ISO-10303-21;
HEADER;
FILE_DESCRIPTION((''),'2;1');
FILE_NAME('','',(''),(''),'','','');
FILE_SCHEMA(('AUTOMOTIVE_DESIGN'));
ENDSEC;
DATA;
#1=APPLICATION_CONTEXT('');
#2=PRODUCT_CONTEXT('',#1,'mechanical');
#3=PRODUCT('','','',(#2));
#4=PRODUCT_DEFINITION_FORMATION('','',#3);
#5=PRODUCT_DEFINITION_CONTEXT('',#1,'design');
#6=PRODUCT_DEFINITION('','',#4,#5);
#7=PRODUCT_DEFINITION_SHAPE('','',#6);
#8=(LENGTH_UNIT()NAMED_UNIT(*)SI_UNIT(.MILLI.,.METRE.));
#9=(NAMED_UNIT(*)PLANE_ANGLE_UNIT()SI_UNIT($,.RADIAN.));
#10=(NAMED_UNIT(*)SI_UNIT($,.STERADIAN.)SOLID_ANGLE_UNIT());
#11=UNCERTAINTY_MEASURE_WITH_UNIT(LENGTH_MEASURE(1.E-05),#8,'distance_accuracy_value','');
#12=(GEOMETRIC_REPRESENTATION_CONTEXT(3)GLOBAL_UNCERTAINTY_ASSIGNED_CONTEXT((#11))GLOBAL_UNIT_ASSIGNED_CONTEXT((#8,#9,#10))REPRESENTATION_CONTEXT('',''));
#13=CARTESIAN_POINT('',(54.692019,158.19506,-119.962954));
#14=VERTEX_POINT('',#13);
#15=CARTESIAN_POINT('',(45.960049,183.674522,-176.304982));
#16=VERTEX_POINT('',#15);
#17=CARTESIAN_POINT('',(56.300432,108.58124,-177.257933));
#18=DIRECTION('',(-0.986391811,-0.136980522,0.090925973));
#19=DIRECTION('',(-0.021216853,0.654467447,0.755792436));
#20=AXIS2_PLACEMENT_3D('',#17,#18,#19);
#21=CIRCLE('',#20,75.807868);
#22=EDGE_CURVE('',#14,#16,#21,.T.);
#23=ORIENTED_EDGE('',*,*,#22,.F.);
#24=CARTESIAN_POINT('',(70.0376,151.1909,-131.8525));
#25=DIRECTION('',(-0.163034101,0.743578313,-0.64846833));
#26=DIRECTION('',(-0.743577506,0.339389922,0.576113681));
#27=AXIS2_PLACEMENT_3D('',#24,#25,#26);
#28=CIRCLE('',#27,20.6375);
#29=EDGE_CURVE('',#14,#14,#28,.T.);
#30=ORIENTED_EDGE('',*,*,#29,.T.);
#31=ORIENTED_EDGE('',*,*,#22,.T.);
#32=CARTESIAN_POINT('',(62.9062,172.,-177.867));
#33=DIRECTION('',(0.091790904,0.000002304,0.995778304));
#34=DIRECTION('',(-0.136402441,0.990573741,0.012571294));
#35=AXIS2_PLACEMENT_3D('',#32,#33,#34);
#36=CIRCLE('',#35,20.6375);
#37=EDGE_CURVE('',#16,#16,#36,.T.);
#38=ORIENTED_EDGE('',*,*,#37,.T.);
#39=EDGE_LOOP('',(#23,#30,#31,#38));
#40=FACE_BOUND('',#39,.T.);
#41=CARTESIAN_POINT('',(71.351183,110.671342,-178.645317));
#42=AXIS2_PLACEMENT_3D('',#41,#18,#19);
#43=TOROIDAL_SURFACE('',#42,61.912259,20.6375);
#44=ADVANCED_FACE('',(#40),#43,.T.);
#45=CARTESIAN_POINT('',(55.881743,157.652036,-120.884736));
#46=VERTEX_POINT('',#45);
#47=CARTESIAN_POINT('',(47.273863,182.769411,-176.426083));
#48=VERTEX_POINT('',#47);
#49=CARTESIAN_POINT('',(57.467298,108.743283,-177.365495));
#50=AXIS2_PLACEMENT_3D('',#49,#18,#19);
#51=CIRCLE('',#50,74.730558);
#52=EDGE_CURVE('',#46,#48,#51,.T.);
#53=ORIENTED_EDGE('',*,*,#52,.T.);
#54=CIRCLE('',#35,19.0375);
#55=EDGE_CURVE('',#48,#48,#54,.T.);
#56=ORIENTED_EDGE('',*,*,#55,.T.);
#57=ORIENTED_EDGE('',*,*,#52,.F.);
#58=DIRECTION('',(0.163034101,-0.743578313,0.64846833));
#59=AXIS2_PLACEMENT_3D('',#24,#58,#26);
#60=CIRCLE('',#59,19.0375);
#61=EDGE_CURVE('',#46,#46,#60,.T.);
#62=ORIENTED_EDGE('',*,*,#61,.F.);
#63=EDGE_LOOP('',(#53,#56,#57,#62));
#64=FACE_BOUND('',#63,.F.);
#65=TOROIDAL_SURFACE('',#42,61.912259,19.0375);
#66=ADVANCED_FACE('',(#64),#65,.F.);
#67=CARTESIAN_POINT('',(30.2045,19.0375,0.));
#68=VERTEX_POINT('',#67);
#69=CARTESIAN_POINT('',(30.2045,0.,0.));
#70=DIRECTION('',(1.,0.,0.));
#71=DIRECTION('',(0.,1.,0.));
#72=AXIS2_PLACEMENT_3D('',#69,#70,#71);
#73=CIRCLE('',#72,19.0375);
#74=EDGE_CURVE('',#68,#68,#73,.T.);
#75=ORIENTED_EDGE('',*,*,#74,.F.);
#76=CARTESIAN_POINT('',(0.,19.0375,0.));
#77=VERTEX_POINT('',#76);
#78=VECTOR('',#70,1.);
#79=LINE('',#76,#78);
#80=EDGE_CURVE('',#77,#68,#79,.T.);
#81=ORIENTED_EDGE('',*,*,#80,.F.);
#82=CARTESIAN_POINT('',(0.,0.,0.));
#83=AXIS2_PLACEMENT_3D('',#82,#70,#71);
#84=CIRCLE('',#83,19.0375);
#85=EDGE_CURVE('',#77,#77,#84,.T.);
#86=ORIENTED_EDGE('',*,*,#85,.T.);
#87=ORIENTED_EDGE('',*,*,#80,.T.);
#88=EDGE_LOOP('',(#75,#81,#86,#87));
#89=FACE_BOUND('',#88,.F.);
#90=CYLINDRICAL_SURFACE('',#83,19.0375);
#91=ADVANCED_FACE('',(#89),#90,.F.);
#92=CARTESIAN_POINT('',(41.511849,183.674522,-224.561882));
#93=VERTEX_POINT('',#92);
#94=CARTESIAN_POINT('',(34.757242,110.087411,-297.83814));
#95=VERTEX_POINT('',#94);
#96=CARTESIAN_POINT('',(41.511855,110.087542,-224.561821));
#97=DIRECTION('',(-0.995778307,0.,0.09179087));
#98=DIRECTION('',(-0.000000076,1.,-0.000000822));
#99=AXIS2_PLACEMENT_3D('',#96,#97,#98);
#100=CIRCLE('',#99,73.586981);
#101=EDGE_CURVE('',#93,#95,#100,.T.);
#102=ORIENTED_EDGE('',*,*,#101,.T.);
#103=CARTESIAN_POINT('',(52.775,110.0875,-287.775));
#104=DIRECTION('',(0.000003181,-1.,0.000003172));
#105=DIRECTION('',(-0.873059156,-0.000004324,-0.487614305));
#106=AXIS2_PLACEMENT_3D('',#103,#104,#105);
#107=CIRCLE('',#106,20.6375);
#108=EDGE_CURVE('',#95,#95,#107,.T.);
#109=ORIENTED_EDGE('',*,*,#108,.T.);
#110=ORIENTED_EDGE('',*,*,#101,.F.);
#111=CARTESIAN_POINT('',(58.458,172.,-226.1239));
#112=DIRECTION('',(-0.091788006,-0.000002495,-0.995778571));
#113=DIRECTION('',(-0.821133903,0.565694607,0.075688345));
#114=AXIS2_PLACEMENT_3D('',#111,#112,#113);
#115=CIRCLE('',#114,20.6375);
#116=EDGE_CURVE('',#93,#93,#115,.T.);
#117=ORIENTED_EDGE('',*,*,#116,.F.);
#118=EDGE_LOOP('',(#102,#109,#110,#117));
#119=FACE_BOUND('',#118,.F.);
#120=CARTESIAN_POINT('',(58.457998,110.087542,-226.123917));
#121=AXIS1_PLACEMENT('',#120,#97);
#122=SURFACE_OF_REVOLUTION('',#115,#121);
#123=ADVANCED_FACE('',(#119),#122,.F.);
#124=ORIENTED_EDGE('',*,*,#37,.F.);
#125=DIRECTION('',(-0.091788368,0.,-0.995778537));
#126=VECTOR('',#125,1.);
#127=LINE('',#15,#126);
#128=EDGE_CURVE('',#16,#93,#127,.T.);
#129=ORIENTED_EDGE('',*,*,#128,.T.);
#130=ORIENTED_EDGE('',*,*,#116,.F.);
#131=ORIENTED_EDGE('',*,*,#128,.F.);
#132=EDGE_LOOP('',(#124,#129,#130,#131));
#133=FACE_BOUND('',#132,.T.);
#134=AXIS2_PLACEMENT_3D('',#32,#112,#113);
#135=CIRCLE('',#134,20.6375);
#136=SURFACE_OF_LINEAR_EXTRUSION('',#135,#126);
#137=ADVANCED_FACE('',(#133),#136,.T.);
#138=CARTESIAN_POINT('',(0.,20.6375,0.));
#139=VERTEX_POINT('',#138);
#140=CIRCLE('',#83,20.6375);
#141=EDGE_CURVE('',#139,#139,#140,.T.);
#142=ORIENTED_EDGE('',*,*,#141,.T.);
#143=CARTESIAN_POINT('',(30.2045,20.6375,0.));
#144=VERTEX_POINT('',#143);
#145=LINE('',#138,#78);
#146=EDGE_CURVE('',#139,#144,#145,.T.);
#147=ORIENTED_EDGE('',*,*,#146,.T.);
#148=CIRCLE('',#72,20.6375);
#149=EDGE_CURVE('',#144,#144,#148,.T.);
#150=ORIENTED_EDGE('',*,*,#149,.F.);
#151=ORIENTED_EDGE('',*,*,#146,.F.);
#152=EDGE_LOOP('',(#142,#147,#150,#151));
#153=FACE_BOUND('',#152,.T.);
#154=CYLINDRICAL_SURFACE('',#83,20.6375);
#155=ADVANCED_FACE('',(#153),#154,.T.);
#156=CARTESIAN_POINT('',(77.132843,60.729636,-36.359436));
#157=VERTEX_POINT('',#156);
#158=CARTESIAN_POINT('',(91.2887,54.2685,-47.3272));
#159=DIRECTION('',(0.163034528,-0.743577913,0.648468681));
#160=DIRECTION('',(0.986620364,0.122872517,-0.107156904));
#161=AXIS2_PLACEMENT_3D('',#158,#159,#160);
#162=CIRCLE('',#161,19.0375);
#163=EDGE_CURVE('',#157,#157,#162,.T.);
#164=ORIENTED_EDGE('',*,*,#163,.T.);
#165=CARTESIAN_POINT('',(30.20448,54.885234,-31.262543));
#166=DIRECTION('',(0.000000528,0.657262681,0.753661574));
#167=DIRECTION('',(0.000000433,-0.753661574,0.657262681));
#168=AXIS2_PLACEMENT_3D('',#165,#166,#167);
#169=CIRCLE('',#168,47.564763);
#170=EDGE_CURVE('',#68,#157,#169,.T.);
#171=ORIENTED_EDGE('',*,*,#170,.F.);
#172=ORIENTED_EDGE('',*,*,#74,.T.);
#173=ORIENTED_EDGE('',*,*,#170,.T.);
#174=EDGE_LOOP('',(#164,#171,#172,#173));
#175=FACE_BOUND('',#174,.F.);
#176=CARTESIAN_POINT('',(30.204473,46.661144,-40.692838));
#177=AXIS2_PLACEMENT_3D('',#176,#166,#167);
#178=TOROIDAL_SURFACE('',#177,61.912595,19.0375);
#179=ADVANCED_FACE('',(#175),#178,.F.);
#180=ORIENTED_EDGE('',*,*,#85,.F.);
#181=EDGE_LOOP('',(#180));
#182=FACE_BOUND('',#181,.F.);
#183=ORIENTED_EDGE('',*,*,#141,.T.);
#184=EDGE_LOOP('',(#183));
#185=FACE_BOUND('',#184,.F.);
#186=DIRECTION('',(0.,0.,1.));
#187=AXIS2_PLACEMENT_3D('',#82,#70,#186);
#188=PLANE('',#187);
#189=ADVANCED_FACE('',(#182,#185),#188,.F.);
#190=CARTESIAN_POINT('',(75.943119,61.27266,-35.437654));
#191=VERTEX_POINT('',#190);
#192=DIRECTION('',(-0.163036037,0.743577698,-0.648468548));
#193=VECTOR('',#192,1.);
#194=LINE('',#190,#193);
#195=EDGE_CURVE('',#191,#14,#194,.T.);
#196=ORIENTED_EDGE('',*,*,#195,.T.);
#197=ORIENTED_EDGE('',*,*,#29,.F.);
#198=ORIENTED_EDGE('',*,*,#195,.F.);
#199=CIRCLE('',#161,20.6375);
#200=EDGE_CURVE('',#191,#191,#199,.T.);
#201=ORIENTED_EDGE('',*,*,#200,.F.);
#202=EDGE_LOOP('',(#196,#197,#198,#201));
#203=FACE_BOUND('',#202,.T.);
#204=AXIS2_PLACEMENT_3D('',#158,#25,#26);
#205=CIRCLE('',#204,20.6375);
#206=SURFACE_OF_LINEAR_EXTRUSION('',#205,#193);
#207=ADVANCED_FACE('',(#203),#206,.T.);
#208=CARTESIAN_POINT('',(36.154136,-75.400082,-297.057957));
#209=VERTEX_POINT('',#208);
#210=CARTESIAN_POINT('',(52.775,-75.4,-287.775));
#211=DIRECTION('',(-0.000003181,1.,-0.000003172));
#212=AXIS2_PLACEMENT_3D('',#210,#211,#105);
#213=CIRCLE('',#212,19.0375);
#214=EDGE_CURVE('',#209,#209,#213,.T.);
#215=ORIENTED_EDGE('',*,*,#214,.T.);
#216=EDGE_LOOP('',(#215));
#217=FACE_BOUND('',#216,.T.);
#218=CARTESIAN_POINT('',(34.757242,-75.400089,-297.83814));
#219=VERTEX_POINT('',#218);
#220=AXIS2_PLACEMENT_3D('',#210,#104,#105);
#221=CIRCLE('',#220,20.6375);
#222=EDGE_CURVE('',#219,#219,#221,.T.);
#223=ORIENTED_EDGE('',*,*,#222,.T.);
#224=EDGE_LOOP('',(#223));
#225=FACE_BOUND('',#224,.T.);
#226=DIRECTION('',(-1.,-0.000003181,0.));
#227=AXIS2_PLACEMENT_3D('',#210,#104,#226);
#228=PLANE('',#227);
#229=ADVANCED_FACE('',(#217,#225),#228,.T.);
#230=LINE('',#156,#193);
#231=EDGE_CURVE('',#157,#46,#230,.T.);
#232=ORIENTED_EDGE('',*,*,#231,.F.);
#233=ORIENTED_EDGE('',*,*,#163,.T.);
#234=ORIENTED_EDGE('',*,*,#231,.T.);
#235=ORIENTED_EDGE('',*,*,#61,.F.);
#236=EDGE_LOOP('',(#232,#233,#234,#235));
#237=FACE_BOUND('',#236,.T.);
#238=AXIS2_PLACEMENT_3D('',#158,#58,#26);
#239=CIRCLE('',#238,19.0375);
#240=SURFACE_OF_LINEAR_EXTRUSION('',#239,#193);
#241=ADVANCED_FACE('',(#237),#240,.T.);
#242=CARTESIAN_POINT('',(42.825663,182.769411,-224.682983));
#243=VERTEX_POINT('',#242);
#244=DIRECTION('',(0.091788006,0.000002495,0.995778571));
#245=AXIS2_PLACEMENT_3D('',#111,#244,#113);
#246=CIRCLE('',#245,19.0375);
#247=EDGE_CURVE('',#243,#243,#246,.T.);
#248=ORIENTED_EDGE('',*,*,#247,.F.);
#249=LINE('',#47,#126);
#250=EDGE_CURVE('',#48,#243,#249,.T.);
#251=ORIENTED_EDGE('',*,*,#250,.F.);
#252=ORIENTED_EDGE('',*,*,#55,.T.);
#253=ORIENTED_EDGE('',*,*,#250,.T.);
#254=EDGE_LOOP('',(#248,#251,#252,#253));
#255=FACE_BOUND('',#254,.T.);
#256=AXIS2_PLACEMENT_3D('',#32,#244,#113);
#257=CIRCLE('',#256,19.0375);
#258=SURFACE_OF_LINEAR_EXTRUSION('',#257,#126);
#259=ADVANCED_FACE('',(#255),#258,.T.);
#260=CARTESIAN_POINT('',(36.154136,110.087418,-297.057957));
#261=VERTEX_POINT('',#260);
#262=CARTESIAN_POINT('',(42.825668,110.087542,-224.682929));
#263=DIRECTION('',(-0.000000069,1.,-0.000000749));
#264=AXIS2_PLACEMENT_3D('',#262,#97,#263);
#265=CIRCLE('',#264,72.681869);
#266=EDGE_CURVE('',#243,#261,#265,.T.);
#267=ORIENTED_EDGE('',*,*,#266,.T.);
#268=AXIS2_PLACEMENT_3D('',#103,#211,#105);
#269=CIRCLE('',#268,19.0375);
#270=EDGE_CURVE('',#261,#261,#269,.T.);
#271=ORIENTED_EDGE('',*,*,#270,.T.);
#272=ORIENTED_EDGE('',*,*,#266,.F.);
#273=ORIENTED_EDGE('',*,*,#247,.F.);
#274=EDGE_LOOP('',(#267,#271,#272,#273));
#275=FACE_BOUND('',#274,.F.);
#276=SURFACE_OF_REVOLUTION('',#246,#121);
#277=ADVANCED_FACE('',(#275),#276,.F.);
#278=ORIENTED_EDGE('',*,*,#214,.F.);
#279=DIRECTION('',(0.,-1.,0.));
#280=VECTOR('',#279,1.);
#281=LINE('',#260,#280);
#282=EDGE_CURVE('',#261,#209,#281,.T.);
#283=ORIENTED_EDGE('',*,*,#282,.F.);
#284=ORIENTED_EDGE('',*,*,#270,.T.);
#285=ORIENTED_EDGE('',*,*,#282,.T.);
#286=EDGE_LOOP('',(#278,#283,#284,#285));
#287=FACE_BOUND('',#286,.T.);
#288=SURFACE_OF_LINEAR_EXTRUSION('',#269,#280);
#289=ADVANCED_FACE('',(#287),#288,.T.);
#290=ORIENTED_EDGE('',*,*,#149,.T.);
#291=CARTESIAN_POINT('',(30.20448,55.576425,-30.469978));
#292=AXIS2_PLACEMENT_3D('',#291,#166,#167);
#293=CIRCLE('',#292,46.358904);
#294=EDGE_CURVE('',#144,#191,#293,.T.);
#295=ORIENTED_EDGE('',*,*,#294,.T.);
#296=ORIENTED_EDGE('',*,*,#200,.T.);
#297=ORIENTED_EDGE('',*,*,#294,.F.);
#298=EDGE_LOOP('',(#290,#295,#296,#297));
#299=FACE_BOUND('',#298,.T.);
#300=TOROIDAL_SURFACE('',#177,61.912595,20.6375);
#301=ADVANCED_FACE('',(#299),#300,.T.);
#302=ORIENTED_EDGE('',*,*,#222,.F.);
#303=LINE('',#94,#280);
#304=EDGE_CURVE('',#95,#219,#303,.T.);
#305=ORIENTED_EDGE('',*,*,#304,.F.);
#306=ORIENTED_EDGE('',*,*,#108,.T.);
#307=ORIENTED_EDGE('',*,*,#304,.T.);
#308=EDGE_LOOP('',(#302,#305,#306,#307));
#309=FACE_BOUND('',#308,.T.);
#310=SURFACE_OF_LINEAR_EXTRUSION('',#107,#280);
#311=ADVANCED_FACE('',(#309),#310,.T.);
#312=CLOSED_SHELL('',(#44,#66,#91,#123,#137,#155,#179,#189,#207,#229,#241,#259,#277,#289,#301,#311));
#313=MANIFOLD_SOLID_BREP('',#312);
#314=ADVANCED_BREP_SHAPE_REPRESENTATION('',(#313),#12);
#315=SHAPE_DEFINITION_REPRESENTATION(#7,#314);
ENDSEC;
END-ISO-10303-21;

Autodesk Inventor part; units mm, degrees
sketch "Sketch1" plane through (0, 0, 0) normal (1, 0, 0) x (0, 1, 0)
  line L0 (0, 0) -> (172, -150)
  line L1 (172, -150) -> (172, -287.775)
  line L2 (172, -287.775) -> (-75.4, -287.775)
  line L3 (0, 0) -> (0, -103.1875) construction
  line L4 (0, -103.1875) -> (172, -65.475) construction
  line L5 (172, -65.475) -> (172, -52.775) construction
  line L6 (172, -52.775) -> (-75.4, -52.775) construction
  dimension "d0" = 287.775
  dimension "d1" = 172
  dimension "d4" = 150
  dimension "d5" = 75.4
  dimension "d6" = 103.1875
  dimension "d7" = 52.775
  dimension "d8" = 65.475
ref_plane "Work Plane1" through (103.1875, 0, 0) normal (1, 0, 0) x (0, 1, 0)
ref_plane "Work Plane2" through (65.475, 0, 0) normal (1, 0, 0) x (0, 1, 0)
ref_plane "Work Plane3" through (52.775, 0, 0) normal (1, 0, 0) x (0, 1, 0)
sketch "Sketch2" plane through (103.1875, 0, 0) normal (1, 0, 0) x (0, 1, 0)
  point P0 (0, 0)
  point P1 (0, 0)
sketch "Sketch3" plane through (65.475, 0, 0) normal (1, 0, 0) x (0, 1, 0)
  point P0 (0, 0)
  point P1 (172, -150)
  point P2 (172, -287.775)
sketch "Sketch4" plane through (52.775, 0, 0) normal (1, 0, 0) x (0, 1, 0)
  point P0 (0, 0)
  point P1 (-75.4, -287.775)
  point P2 (172, -287.775)
sketch "Sketch5" plane through (0, 0, 0) normal (1, 0, 0) x (0, 1, 0)
  circle A0 centre (0, 0) radius 20.6375
  circle A1 centre (0, 0) radius 19.0375
  dimension "d15" = 1.6
  dimension "d17" = 41.275
sketch3d "3D Sketch1"
  line L0 (0, 0, 0) -> (30.2045, 0, 0)
  arc A0 (30.2045, 0, 0) -> (91.2887, 54.2685, -47.3272) centre (30.2045, 46.6611, -40.6928) ccw
  line L1 (91.2887, 54.2685, -47.3272) -> (70.0376, 151.1909, -131.8525)
  arc A1 (70.0376, 151.1909, -131.8525) -> (62.9062, 172, -177.867) centre (71.3512, 110.6711, -178.6455) ccw
  line L2 (62.9062, 172, -177.867) -> (58.458, 172, -226.1239)
  arc A2 (58.458, 172, -226.1239) -> (52.775, 110.0875, -287.775) centre (58.458, 110.0875, -226.1239) ccw
  line L3 (52.775, 110.0875, -287.775) -> (52.775, -75.4, -287.775)
  dimension "d12" = 61.9125
  dimension "d13" = 61.9125
  dimension "d14" = 61.9125
sweep "Sweep1" add profiles "Sketch5" path "3D Sketch1"
equation "\"d13\" = d12"
equation "\"d14\" = d12"
equation "\"d9\" = d6"
equation "\"d10\" = d8"
equation "\"d11\" = d7"
properties part number "exhaust header right pipe 8" material "Steel"
